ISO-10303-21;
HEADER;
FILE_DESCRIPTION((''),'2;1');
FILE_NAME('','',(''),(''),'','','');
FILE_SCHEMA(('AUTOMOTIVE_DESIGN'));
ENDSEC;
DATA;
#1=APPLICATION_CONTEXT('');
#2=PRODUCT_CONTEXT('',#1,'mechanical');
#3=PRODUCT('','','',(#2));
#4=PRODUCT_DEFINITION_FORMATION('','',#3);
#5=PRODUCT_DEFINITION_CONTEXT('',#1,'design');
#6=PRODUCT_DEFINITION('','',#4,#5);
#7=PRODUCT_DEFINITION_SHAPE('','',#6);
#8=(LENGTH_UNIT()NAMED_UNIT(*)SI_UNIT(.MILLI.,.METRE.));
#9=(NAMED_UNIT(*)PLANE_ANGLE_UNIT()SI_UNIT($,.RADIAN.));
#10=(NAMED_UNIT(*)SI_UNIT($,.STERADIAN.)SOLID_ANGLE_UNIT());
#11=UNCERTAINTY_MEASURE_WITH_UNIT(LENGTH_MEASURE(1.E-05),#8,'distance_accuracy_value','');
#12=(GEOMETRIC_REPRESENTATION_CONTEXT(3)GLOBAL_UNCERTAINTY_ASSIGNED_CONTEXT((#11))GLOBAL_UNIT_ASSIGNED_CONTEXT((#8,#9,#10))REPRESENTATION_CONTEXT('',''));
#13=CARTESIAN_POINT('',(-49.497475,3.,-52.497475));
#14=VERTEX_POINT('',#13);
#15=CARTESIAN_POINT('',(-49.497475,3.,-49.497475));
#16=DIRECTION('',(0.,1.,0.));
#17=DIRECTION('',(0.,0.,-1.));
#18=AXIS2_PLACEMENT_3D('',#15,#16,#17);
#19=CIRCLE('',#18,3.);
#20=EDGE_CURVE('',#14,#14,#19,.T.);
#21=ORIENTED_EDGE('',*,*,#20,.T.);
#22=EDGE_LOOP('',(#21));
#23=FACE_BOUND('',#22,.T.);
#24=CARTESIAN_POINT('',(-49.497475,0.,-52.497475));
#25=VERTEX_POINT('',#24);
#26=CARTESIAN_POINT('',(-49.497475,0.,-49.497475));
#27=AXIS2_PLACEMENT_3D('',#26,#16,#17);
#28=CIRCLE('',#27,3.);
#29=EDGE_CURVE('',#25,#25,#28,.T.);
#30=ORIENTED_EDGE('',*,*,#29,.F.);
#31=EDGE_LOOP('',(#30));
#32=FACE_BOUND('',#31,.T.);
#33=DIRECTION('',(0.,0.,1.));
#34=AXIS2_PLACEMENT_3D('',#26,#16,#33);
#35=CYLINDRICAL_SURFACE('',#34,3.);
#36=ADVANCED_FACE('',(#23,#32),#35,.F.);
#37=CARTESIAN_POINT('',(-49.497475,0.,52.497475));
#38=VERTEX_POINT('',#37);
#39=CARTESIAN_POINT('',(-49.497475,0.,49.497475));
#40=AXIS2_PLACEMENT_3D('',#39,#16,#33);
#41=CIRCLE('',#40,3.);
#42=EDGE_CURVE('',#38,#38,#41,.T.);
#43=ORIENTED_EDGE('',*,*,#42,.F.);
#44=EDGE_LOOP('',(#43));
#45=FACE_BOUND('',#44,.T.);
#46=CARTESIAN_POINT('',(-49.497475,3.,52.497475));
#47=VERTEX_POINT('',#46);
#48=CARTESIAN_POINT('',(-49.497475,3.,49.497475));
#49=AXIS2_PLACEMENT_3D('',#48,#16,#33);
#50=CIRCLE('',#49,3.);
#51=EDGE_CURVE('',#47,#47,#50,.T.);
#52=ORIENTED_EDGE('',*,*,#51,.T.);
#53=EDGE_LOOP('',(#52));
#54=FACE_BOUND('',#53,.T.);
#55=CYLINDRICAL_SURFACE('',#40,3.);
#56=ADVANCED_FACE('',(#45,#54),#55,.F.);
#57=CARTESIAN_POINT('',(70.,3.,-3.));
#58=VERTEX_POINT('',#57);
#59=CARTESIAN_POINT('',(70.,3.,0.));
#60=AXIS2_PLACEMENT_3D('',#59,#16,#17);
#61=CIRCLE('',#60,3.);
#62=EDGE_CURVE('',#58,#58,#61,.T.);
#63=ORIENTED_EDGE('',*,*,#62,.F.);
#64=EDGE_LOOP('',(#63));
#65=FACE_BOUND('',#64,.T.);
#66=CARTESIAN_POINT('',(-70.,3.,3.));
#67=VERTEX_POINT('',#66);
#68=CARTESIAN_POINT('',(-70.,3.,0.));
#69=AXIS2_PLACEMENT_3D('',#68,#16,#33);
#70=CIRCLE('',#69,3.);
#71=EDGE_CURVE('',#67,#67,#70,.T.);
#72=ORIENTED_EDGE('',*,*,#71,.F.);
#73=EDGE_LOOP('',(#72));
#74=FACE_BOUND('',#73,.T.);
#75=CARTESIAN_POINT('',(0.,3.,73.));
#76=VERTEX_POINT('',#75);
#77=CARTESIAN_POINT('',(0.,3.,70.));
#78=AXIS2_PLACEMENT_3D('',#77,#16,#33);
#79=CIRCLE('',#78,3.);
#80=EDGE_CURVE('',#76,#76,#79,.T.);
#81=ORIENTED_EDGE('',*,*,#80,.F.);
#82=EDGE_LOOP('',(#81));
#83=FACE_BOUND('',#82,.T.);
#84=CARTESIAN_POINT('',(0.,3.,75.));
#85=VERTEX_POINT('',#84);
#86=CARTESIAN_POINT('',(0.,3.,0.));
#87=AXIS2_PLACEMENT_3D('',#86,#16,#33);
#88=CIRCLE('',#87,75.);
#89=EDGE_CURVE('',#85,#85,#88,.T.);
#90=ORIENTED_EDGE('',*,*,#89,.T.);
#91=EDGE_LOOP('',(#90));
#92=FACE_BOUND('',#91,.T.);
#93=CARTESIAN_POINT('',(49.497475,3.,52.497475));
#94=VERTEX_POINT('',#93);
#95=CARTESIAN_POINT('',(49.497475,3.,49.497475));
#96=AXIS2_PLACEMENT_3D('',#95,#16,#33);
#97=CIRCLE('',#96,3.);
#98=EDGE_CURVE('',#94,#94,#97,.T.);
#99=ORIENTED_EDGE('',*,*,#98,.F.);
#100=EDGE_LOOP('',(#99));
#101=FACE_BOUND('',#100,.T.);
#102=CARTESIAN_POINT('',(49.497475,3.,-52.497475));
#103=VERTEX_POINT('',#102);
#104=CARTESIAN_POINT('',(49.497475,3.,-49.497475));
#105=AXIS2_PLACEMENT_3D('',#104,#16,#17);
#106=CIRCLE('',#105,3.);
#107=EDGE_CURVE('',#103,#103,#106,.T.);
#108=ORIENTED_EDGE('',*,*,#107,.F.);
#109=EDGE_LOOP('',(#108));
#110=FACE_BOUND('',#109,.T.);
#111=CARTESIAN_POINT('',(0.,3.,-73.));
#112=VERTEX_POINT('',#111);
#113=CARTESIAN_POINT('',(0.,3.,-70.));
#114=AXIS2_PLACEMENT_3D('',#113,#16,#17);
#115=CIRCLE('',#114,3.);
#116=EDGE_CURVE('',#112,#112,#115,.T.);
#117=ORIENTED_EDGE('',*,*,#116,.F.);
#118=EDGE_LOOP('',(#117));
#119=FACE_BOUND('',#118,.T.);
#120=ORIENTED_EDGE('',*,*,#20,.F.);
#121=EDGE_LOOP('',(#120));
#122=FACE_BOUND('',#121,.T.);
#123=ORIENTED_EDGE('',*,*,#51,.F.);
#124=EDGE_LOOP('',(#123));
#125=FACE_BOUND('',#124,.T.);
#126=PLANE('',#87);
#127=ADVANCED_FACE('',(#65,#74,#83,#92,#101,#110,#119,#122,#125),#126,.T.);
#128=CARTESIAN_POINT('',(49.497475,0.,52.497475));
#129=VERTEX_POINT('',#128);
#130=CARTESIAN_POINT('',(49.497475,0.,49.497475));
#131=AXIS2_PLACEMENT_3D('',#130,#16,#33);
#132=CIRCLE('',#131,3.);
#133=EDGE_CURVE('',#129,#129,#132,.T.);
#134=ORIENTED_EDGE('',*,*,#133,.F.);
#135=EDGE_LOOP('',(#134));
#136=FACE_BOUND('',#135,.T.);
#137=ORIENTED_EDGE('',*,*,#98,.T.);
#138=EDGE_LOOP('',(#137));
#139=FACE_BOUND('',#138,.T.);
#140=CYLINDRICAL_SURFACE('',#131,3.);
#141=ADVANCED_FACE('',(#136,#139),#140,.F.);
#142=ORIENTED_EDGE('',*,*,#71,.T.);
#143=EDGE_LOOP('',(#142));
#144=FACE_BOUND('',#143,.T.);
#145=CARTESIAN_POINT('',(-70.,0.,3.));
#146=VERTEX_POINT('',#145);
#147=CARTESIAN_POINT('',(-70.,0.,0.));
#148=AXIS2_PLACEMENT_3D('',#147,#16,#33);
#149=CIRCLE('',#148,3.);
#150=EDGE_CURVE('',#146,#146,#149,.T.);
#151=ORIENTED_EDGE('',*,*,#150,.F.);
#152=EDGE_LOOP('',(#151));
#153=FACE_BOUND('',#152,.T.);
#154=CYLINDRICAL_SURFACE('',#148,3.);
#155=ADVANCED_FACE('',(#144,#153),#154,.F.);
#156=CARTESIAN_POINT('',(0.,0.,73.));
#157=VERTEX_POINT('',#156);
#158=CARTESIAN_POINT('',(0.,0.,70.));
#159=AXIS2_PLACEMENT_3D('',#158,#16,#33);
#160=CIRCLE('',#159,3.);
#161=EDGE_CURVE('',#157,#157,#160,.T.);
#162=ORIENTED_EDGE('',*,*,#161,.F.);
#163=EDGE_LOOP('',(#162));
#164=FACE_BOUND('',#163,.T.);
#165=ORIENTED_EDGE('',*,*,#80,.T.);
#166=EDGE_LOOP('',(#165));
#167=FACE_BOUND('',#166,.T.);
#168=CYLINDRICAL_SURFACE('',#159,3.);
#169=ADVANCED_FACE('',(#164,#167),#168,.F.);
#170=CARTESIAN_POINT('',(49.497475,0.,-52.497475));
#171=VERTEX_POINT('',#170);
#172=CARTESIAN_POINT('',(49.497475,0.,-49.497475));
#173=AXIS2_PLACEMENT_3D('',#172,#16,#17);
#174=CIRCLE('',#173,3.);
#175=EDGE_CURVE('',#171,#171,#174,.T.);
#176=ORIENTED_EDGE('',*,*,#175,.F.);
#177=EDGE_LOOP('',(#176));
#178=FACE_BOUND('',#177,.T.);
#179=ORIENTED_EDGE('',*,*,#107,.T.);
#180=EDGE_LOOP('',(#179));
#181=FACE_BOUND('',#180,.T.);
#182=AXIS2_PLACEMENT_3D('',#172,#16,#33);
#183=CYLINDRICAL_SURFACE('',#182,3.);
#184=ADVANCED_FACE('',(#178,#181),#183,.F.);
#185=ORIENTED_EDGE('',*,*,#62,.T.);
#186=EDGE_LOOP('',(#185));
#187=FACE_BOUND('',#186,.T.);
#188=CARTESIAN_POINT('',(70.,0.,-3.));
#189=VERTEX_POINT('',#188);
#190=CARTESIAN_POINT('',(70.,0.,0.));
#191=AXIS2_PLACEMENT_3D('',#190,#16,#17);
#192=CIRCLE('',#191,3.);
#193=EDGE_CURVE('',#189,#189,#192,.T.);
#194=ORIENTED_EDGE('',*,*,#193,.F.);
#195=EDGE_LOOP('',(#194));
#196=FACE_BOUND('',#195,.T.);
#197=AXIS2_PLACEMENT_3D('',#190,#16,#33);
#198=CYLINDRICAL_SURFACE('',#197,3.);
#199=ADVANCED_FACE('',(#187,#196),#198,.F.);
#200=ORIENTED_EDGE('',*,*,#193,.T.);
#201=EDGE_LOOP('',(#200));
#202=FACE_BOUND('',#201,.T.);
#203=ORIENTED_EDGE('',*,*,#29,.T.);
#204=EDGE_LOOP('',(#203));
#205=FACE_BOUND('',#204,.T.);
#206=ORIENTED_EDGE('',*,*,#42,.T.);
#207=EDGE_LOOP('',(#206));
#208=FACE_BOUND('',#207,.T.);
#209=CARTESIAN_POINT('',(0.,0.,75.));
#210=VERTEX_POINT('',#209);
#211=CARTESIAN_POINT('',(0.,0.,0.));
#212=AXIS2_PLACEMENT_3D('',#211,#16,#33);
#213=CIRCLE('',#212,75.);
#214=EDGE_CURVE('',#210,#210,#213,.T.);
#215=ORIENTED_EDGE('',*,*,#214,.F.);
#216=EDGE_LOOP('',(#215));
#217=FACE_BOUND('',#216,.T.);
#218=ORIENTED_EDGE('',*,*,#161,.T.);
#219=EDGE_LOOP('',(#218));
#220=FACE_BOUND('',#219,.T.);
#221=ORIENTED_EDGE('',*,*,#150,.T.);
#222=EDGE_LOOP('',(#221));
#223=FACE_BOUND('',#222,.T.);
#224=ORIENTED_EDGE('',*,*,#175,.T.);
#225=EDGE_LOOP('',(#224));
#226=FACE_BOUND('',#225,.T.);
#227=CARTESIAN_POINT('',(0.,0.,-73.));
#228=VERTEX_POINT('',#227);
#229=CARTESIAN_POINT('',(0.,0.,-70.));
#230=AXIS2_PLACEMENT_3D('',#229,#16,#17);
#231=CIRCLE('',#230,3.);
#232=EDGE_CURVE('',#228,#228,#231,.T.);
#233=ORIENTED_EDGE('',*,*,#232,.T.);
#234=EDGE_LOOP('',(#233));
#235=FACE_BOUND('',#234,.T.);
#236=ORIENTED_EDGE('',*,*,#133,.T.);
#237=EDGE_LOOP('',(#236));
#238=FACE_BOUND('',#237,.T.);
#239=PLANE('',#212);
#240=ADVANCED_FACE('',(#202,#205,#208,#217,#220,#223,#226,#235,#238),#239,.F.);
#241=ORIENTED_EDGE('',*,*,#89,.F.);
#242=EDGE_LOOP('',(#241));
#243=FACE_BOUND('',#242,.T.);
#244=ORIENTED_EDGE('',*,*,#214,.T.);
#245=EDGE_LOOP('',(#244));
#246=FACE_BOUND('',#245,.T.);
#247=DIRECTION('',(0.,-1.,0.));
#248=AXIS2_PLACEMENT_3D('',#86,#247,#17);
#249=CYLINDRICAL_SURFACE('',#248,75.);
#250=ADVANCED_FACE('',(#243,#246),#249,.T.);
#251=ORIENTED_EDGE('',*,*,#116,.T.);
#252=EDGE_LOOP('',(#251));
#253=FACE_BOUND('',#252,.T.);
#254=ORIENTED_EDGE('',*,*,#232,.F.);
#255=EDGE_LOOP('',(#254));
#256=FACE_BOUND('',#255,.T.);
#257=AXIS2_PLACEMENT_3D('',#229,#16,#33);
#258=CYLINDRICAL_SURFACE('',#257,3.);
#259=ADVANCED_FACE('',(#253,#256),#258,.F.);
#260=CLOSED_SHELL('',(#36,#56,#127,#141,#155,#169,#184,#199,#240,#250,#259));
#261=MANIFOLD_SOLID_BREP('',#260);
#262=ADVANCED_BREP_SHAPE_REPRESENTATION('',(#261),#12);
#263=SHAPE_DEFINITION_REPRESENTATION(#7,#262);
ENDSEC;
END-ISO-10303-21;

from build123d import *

# Parameters (mm, degrees)
SKETCH_1_R          = 75
EXTRUDE_1_DEPTH     = 3
SKETCH_2_R          = 3
CUT_EXTRUDE_1_DEPTH = 3


with BuildPart() as part:
    # Эскиз1 → Бобышка-Вытянуть1 (new body)
    with BuildSketch(Plane(origin=(0, 0, 0), x_dir=(1, 0, 0), z_dir=(0, 1, 0))):
        with Locations(Location((0, 0, 0), (0, 0, 270))):
            Circle(SKETCH_1_R)
    extrude(amount=EXTRUDE_1_DEPTH)

    # Эскиз2 → Вырез-Вытянуть1 (cut)
    with BuildSketch(Plane(origin=(0, 3, 0), x_dir=(1, 0, 0), z_dir=(0, 1, 0))):
        with Locations(Location((-70, 0, 0), (0, 0, 270))):
            Circle(SKETCH_2_R)
        with Locations(Location((70, 0, 0), (0, 0, 90))):
            Circle(SKETCH_2_R)
        with Locations(Location((0, -70, 0), (0, 0, 270))):
            Circle(SKETCH_2_R)
        with Locations(Location((0, 70, 0), (0, 0, 90))):
            Circle(SKETCH_2_R)
        with Locations(Location((-49.497474683, -49.497474683, 0), (0, 0, 270))):
            Circle(SKETCH_2_R)
        with Locations(Location((-49.497474683, 49.497474683, 0), (0, 0, 90))):
            Circle(SKETCH_2_R)
        with Locations(Location((49.497474683, -49.497474683, 0), (0, 0, 270))):
            Circle(SKETCH_2_R)
        with Locations(Location((49.497474683, 49.497474683, 0), (0, 0, 90))):
            Circle(SKETCH_2_R)
    extrude(amount=-CUT_EXTRUDE_1_DEPTH, mode=Mode.SUBTRACT)


solid = part.part
